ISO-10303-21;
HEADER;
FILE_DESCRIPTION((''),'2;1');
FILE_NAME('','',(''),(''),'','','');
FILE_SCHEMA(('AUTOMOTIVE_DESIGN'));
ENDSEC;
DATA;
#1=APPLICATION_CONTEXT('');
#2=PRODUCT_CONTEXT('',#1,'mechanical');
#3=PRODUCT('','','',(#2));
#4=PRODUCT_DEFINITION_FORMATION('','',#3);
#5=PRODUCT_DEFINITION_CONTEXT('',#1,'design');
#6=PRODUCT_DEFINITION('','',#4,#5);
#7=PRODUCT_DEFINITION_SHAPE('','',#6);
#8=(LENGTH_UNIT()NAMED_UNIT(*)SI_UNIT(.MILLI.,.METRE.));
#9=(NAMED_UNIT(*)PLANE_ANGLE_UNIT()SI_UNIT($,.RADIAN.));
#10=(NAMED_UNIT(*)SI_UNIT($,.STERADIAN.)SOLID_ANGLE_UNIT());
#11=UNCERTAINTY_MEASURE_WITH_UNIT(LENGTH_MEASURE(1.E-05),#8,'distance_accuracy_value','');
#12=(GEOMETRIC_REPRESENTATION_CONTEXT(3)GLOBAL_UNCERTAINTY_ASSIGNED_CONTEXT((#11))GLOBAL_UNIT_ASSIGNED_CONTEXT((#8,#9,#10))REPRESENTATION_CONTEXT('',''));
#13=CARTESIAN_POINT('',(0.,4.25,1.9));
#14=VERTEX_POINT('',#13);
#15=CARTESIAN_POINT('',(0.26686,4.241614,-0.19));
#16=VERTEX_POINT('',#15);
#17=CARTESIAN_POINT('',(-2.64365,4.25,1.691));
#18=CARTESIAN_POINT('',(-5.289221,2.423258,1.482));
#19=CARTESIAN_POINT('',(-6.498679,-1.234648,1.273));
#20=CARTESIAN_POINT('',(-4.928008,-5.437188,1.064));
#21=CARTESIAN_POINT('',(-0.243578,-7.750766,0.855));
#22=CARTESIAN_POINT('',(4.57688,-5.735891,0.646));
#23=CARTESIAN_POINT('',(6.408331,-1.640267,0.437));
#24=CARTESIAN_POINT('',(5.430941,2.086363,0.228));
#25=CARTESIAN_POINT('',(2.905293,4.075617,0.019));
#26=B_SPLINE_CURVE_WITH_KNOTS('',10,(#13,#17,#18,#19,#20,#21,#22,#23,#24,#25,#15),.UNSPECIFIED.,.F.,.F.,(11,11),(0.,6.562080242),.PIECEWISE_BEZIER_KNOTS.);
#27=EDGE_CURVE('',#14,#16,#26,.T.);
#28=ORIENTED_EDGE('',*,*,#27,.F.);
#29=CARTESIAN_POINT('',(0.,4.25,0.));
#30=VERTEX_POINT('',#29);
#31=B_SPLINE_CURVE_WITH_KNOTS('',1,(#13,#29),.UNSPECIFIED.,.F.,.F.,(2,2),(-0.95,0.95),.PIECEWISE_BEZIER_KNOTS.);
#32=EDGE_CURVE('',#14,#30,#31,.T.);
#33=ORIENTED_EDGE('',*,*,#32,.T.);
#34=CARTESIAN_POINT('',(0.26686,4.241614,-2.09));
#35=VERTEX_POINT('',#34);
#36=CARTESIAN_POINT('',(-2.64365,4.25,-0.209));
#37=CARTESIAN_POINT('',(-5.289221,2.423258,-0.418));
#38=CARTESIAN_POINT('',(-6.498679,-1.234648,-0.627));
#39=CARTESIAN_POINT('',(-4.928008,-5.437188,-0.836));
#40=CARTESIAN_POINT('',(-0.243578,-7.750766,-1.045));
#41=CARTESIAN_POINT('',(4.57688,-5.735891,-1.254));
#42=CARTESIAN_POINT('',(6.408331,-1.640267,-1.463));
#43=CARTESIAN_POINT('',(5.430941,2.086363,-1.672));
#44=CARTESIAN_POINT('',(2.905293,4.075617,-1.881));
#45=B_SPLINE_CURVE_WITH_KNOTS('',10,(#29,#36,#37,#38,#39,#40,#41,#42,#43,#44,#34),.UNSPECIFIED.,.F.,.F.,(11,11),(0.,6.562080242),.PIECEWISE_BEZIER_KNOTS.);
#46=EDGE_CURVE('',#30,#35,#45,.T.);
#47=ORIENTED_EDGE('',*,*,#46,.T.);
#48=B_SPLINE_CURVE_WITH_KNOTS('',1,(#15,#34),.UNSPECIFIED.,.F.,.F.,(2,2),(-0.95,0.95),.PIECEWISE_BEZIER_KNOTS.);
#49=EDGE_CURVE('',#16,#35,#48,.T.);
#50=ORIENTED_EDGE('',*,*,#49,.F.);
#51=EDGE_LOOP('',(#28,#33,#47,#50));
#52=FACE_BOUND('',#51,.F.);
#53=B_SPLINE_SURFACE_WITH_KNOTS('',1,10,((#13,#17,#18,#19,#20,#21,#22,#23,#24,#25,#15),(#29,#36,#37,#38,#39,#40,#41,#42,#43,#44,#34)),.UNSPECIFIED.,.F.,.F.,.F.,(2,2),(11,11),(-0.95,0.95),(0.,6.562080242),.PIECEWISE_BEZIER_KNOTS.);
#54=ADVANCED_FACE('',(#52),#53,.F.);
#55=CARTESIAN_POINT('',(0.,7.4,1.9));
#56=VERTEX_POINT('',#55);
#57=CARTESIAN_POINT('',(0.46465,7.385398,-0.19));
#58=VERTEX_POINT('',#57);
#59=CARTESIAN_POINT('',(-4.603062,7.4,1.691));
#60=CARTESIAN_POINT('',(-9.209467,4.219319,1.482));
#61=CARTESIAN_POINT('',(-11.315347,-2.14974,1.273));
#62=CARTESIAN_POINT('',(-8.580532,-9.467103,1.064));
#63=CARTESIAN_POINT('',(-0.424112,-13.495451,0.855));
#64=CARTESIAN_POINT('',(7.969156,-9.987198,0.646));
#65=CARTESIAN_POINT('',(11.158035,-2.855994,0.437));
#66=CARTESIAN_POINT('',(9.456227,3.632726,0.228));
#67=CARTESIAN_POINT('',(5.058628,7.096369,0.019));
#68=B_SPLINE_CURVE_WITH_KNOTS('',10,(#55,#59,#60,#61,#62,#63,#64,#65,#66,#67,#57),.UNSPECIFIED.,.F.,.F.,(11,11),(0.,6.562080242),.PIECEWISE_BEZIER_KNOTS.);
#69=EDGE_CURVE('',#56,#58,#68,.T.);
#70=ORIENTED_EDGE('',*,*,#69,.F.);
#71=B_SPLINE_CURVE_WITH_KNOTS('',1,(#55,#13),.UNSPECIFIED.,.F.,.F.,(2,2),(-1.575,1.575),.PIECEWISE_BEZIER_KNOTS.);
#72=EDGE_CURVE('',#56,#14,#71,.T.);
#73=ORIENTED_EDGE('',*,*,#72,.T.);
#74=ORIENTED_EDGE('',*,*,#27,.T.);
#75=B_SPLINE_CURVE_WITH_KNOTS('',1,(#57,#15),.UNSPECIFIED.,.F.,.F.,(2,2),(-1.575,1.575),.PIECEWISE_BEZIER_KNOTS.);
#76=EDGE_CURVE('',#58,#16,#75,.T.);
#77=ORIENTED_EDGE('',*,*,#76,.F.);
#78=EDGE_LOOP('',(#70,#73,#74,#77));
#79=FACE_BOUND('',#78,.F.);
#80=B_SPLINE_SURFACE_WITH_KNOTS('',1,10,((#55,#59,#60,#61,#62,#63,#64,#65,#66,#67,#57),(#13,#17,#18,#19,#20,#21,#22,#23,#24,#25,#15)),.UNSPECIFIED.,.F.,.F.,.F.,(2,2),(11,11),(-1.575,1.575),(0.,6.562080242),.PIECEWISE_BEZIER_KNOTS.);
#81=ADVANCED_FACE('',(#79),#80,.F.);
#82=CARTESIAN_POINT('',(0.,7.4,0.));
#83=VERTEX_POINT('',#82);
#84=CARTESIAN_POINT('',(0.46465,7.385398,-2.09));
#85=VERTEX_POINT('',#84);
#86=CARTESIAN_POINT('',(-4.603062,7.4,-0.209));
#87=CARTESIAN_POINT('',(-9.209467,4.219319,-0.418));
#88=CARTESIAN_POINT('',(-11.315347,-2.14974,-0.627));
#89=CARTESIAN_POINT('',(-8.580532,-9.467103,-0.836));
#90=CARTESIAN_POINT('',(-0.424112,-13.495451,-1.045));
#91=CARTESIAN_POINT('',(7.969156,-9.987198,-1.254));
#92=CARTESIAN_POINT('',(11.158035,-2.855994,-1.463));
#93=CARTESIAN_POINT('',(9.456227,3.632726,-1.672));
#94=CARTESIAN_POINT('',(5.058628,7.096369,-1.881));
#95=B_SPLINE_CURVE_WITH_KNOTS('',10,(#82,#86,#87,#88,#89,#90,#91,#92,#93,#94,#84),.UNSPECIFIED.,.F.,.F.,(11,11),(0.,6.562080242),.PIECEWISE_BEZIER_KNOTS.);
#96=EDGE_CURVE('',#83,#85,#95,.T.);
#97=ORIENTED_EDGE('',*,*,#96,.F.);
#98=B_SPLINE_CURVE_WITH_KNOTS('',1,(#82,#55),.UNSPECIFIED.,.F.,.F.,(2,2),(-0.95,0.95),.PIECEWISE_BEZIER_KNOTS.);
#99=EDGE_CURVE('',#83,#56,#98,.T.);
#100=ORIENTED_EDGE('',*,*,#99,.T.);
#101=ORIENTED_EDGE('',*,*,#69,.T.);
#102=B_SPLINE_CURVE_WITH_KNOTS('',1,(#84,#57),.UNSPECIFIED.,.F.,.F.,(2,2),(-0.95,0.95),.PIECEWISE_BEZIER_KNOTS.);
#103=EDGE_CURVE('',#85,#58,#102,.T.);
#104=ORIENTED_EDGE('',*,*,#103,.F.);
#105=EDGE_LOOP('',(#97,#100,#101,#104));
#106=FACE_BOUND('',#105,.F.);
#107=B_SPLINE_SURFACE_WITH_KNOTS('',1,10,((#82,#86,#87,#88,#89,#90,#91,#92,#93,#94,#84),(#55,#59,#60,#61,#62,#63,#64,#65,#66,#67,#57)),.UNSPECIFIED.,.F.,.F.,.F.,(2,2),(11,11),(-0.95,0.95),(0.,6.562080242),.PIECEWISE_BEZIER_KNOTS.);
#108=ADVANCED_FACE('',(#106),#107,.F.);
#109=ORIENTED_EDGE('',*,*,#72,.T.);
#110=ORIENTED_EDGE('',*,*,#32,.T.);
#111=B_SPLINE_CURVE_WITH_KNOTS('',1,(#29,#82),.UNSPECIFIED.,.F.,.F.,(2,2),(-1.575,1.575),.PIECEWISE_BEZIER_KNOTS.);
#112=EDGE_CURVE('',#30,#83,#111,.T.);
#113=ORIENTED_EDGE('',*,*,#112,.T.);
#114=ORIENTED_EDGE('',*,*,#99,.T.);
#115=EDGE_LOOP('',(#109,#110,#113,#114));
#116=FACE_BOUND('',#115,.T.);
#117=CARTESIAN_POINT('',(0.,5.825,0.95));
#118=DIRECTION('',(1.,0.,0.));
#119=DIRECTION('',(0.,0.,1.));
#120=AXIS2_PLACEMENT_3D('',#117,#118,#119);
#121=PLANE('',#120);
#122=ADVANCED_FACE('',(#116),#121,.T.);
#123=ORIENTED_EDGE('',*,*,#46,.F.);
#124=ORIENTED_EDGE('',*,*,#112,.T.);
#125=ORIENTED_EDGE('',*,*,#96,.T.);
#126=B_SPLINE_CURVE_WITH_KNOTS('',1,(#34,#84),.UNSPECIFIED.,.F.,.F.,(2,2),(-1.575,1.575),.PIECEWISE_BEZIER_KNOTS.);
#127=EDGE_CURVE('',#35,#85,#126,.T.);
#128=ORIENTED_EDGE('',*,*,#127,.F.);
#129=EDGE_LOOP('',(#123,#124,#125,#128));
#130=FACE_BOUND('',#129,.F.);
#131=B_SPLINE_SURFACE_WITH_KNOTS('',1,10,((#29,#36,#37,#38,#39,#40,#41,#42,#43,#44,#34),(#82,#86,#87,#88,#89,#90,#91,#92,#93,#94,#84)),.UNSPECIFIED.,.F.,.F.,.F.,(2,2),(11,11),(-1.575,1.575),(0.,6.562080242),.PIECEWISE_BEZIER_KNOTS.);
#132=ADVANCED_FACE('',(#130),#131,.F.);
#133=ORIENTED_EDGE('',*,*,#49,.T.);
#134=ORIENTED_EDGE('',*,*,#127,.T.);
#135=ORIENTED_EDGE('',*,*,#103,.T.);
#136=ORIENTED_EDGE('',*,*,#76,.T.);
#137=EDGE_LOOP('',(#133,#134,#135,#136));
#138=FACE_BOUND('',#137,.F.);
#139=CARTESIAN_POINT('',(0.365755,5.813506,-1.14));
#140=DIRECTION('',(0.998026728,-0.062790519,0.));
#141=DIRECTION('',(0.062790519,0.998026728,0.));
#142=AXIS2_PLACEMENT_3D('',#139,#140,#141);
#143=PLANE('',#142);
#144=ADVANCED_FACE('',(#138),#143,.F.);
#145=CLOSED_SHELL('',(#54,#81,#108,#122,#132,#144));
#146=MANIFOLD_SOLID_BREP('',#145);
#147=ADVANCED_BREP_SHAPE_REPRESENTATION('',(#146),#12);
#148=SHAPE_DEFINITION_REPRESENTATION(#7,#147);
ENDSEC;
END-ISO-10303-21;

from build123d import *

# Parameters (mm, degrees)
SWEEP1_PITCH       = 2.111111111
SWEEP1_HEIGHT      = 2.09
SWEEP1_RADIUS      = 7.4
SWEEP1_START_ANGLE = 90
SKETCH2_W          = 1.9
SKETCH2_H          = 3.15


with BuildPart() as part:
    # Sweep1: sweep along a helix
    with BuildLine() as sweep1_path:
        add(Helix(SWEEP1_PITCH, SWEEP1_HEIGHT, SWEEP1_RADIUS, center=(0, 0, 0), direction=(0, 0, -1), lefthand=True, mode=Mode.PRIVATE).rotate(Axis((0, 0, 0), (0, 0, -1)), SWEEP1_START_ANGLE))
    # Sketch2 → Sweep1 (sweep)
    with BuildSketch(Plane(origin=(0, 0, 0), x_dir=(0, 0, -1), z_dir=(1, 0, 0))):
        with Locations((-0.95, 5.825)):
            Rectangle(SKETCH2_W, SKETCH2_H)
    sweep(path=sweep1_path.line, is_frenet=True)


solid = part.part
